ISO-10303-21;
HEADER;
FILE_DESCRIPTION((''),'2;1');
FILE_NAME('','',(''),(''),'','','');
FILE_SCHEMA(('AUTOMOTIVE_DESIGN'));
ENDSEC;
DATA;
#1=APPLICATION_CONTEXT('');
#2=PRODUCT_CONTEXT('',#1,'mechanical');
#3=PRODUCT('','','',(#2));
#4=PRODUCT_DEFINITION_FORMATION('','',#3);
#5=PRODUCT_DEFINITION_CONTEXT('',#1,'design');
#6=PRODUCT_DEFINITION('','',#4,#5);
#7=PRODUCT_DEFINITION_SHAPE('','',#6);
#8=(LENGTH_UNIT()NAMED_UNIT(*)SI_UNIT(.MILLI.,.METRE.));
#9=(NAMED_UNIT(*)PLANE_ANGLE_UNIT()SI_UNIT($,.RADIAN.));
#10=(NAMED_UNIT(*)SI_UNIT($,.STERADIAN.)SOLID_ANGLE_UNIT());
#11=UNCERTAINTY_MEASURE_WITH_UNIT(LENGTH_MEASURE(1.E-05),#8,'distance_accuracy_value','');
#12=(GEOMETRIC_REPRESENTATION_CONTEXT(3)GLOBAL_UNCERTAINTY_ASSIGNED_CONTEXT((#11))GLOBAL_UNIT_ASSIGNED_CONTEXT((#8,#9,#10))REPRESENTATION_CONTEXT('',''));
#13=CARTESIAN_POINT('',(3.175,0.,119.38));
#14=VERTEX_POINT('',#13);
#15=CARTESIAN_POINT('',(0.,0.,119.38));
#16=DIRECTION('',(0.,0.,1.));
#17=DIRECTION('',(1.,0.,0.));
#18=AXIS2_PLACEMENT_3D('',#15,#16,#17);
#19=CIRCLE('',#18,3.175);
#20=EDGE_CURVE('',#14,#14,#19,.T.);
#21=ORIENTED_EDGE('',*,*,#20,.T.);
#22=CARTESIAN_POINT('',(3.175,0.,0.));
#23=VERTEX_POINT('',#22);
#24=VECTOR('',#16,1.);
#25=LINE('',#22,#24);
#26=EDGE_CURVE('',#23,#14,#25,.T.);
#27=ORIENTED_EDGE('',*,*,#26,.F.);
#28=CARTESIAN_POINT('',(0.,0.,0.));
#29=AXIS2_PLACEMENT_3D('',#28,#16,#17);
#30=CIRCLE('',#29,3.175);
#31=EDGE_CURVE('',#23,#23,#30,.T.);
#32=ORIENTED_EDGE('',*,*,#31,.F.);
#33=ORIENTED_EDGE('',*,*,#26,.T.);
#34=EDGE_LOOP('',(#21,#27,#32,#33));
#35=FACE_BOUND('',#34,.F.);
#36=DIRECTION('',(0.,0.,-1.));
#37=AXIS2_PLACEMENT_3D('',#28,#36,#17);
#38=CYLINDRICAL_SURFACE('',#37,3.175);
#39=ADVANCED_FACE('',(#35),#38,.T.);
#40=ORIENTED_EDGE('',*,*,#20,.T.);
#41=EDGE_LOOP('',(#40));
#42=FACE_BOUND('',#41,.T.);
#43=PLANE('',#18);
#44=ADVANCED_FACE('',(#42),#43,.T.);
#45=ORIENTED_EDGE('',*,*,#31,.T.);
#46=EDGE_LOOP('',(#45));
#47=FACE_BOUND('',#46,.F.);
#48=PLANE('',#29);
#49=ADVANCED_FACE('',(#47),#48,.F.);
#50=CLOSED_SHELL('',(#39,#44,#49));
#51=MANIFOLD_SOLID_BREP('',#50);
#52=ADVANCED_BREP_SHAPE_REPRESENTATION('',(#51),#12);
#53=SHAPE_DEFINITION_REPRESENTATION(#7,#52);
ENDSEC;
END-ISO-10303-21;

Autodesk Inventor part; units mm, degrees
ref_plane "YZ Plane" through (0, 0, 0) normal (1, 0, 0) x (0, 1, 0)
ref_plane "XZ Plane" through (0, 0, 0) normal (0, 1, 0) x (-1, 0, 0)
ref_plane "XY Plane" through (0, 0, 0) normal (0, 0, 1) x (1, 0, 0)
sketch "Sketch1" plane through (0, 0, 0) normal (0, 0, 1) x (1, 0, 0)
  circle A0 centre (0, 0) radius 3.175
  dimension "d0" = 6.35
extrude "Extrusion1" add sketch "Sketch1" along normal blind 119.38
properties part number "SpoolAxle" material "Stainless Steel"
